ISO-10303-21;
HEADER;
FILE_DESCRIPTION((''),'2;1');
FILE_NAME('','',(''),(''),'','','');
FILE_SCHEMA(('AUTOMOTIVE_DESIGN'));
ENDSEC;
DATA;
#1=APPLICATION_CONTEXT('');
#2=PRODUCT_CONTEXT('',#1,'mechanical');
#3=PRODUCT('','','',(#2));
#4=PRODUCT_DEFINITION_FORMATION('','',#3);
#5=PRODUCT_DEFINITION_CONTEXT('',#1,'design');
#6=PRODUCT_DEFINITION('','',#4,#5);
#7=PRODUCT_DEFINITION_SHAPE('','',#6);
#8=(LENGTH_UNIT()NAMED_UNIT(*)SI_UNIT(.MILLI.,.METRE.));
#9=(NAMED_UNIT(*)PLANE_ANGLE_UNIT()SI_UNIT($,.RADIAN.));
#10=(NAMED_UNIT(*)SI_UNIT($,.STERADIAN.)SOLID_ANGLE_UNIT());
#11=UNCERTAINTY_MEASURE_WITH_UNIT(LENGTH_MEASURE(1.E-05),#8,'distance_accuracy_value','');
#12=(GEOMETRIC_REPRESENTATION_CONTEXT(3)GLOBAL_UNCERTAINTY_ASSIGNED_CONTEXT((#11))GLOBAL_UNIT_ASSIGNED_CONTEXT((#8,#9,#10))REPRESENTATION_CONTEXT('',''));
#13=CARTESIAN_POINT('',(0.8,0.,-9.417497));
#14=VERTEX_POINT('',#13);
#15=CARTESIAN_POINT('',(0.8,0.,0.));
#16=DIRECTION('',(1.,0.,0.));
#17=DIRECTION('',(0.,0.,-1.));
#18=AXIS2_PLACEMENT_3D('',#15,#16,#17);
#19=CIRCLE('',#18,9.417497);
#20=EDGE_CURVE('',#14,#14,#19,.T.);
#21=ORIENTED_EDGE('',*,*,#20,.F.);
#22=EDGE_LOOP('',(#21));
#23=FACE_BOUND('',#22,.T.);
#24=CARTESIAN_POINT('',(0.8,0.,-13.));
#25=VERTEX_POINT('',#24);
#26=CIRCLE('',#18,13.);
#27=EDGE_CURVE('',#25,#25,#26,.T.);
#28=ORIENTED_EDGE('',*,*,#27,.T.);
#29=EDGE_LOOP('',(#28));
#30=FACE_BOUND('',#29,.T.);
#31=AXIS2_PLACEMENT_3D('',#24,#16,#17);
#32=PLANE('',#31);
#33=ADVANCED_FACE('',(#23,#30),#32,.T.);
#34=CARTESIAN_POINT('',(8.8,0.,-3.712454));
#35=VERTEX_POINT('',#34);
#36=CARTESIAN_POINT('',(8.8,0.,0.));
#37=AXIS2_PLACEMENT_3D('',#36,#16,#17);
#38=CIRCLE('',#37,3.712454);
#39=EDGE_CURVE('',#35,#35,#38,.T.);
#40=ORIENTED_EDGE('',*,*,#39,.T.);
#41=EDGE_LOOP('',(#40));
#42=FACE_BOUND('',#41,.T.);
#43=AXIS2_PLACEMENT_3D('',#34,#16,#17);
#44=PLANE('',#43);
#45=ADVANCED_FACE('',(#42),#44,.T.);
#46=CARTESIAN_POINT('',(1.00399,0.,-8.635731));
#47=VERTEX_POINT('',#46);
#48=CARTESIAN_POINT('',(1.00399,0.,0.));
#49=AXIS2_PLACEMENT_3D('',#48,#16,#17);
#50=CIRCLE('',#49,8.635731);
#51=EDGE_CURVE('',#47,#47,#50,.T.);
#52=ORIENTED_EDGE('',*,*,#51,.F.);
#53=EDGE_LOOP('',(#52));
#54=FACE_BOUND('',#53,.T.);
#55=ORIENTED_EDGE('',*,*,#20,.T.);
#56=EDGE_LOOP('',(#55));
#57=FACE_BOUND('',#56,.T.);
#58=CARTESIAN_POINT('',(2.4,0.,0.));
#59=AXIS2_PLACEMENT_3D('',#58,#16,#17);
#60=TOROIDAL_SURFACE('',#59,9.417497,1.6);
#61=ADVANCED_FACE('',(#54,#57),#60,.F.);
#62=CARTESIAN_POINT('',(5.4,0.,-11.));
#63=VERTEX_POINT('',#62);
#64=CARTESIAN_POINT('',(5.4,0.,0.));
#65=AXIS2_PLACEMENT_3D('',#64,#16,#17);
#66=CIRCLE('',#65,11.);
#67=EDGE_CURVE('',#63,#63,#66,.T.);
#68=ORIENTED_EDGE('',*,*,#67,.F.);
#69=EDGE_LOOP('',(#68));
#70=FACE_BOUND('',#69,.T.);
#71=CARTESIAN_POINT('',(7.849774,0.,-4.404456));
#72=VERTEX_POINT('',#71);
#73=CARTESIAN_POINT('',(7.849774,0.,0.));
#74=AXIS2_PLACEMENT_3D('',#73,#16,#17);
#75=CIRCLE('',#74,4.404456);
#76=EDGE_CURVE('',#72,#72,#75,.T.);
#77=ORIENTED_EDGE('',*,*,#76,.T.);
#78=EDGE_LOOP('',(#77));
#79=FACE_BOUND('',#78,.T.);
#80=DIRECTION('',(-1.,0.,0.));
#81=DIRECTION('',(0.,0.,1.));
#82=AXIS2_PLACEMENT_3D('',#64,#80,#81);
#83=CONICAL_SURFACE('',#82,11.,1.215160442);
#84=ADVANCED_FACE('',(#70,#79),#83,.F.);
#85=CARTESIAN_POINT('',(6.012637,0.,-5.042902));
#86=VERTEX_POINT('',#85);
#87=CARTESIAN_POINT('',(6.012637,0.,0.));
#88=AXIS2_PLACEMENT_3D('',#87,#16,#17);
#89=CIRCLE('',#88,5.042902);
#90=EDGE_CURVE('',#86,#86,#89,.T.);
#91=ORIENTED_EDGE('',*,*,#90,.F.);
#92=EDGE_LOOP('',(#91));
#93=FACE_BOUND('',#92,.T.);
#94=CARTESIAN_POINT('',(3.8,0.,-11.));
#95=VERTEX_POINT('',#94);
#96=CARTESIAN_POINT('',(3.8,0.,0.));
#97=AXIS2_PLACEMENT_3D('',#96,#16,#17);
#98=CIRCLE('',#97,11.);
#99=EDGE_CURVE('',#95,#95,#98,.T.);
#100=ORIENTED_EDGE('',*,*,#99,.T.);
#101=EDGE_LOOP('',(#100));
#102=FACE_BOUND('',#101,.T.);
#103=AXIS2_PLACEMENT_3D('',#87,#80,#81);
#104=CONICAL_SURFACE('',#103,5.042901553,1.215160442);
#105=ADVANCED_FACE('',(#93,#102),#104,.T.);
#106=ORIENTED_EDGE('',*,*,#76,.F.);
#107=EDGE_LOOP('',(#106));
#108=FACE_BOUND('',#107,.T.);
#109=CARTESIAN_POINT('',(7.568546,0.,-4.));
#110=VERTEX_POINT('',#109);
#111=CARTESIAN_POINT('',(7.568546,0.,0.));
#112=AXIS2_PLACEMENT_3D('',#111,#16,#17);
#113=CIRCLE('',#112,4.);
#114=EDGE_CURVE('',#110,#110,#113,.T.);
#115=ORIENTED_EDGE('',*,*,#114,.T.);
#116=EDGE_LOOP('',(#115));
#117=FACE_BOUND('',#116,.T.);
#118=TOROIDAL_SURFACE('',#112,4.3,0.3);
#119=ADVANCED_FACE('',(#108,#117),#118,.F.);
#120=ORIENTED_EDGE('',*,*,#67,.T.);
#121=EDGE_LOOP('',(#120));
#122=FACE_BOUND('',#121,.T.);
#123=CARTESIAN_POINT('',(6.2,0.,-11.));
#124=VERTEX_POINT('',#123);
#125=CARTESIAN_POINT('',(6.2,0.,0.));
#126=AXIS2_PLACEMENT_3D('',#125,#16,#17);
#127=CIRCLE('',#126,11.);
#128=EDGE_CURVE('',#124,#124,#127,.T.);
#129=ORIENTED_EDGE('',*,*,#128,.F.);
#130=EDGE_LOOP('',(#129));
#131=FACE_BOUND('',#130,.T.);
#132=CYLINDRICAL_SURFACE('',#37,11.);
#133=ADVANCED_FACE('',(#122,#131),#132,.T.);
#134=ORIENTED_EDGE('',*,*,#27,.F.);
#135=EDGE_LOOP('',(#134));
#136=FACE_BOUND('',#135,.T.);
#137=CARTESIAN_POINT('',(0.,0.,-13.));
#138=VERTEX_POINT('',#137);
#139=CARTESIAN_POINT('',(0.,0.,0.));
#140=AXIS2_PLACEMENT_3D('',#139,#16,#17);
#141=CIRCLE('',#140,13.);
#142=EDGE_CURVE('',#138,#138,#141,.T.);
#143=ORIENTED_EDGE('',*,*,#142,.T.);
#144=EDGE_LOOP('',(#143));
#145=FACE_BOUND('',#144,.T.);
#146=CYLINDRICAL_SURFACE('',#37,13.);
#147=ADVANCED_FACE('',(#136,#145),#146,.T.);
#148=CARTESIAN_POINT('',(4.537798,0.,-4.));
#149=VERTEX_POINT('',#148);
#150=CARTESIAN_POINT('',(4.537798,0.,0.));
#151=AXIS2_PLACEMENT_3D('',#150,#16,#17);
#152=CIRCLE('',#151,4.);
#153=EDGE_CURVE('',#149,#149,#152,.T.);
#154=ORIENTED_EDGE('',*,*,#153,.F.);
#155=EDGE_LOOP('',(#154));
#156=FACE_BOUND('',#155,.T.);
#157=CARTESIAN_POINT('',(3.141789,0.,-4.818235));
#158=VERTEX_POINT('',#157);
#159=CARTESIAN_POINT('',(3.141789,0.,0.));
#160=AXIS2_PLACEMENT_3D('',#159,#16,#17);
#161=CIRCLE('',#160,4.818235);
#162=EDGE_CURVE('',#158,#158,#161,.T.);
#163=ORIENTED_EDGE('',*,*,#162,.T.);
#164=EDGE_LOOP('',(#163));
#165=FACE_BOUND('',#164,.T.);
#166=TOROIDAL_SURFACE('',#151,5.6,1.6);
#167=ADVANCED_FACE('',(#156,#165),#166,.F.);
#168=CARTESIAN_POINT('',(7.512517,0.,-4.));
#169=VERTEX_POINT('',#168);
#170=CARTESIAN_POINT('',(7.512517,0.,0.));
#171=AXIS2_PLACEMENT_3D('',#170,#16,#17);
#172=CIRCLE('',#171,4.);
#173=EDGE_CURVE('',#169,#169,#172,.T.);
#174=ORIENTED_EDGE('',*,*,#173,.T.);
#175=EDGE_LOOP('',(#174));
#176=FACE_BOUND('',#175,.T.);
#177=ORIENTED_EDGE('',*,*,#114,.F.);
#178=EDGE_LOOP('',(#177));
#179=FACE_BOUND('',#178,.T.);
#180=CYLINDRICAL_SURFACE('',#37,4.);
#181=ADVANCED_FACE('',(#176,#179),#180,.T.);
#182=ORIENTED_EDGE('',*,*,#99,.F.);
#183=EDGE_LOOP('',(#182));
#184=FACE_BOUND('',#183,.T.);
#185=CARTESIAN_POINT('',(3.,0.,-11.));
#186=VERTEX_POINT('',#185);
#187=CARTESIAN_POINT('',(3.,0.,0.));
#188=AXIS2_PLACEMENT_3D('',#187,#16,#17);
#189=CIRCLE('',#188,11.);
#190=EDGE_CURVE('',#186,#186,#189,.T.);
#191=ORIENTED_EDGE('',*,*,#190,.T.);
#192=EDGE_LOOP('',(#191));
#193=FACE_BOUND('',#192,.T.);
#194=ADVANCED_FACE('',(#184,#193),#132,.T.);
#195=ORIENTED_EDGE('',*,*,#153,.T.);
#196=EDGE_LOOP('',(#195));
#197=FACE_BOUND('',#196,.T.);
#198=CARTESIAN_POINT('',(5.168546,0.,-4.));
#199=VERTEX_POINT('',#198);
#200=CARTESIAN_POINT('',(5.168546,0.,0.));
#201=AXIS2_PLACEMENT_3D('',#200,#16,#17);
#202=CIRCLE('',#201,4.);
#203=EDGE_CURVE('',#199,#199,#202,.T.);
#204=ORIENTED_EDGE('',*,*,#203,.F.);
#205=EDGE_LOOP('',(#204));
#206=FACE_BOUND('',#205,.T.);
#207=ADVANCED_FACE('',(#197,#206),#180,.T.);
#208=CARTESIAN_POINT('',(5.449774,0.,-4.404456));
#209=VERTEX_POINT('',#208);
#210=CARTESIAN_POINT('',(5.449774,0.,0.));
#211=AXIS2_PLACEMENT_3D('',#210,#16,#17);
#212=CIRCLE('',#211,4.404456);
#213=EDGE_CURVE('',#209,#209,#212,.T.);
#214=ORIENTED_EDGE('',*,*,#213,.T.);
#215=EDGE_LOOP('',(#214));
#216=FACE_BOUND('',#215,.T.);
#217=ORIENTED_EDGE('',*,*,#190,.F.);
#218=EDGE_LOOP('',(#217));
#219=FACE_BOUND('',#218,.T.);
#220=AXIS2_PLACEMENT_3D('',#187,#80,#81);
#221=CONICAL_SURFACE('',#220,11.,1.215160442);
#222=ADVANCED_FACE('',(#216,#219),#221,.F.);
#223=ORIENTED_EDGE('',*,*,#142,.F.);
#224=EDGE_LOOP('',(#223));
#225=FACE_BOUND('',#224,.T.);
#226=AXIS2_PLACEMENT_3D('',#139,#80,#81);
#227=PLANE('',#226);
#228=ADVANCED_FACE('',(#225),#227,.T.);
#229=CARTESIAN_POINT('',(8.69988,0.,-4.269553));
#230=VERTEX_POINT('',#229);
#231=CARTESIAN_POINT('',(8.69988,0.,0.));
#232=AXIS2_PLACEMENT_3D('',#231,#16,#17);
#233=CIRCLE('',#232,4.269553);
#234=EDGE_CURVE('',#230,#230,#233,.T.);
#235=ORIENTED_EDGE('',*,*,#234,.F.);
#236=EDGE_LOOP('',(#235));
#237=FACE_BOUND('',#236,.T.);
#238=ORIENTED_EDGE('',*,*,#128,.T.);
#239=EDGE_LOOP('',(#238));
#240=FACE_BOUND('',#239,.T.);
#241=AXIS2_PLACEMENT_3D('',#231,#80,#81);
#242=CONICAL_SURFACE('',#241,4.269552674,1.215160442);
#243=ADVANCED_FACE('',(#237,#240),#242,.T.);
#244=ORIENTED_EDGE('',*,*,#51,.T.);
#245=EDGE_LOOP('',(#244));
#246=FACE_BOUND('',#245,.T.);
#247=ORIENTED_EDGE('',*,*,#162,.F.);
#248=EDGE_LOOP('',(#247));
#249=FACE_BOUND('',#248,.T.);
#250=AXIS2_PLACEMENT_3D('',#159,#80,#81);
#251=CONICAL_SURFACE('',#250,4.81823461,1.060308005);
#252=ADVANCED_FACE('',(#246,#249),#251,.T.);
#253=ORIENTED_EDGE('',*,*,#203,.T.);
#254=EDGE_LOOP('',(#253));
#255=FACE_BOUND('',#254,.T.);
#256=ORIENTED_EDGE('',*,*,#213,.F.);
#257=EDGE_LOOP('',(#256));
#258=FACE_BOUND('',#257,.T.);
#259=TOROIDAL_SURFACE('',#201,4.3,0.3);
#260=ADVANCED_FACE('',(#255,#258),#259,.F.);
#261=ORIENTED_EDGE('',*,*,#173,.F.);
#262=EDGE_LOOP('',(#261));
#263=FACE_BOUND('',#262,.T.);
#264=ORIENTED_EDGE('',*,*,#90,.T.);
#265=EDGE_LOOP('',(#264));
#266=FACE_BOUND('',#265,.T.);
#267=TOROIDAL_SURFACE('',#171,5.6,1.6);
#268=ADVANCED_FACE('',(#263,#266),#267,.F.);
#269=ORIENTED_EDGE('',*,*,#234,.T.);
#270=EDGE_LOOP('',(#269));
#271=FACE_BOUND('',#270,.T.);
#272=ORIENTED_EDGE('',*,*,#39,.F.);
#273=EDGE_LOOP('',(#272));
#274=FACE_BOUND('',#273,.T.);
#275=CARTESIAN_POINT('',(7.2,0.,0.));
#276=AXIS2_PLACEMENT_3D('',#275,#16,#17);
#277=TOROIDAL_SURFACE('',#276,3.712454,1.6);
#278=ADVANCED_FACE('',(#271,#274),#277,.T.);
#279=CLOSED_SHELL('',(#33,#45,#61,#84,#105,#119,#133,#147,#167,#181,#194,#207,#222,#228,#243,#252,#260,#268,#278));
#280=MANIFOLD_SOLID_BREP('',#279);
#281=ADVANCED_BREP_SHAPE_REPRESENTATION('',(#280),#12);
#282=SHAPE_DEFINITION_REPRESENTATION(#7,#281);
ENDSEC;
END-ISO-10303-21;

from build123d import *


with BuildPart() as part:
    # Sketch2 → Revolve1 (revolve)
    with BuildSketch(Plane(origin=(0, 0, 0), x_dir=(1, 0, 0), z_dir=(0, 1, 0))):
        with BuildLine():
            Line((0, 0), (0, 13))
            Line((0, 13), (0.8, 13))
            Line((0.8, 13), (0.8, 9.417496864))
            ThreePointArc((0.8, 9.417496864), (0.851837315, 9.013526198), (1.003990374, 8.635731474))
            Line((1.003990374, 8.635731474), (3.141788619, 4.81823461))
            ThreePointArc((3.141788619, 4.81823461), (3.728732309, 4.219633269), (4.537798244, 4))
            Line((4.537798244, 4), (5.168545919, 4))
            ThreePointArc((5.168545919, 4), (5.414855468, 4.128735275), (5.449773501, 4.404455959))
            Line((5.449773501, 4.404455959), (3, 11))
            Line((3, 11), (3.8, 11))
            Line((3.8, 11), (6.012636566, 5.042901553))
            ThreePointArc((6.012636566, 5.042901553), (6.599105133, 4.286349073), (7.512517001, 4))
            Line((7.512517001, 4), (7.568545919, 4))
            ThreePointArc((7.568545919, 4), (7.814855468, 4.128735275), (7.849773501, 4.404455959))
            Line((7.849773501, 4.404455959), (5.4, 11))
            Line((5.4, 11), (6.2, 11))
            Line((6.2, 11), (8.699880435, 4.269552674))
            ThreePointArc((8.699880435, 4.269552674), (8.774771205, 3.995465979), (8.8, 3.712454227))
            Line((8.8, 3.712454227), (8.8, 0))
            Line((8.8, 0), (0, 0))
        make_face()
    revolve(axis=Axis((8.8, 0, 0), (-1, 0, 0)))


solid = part.part
